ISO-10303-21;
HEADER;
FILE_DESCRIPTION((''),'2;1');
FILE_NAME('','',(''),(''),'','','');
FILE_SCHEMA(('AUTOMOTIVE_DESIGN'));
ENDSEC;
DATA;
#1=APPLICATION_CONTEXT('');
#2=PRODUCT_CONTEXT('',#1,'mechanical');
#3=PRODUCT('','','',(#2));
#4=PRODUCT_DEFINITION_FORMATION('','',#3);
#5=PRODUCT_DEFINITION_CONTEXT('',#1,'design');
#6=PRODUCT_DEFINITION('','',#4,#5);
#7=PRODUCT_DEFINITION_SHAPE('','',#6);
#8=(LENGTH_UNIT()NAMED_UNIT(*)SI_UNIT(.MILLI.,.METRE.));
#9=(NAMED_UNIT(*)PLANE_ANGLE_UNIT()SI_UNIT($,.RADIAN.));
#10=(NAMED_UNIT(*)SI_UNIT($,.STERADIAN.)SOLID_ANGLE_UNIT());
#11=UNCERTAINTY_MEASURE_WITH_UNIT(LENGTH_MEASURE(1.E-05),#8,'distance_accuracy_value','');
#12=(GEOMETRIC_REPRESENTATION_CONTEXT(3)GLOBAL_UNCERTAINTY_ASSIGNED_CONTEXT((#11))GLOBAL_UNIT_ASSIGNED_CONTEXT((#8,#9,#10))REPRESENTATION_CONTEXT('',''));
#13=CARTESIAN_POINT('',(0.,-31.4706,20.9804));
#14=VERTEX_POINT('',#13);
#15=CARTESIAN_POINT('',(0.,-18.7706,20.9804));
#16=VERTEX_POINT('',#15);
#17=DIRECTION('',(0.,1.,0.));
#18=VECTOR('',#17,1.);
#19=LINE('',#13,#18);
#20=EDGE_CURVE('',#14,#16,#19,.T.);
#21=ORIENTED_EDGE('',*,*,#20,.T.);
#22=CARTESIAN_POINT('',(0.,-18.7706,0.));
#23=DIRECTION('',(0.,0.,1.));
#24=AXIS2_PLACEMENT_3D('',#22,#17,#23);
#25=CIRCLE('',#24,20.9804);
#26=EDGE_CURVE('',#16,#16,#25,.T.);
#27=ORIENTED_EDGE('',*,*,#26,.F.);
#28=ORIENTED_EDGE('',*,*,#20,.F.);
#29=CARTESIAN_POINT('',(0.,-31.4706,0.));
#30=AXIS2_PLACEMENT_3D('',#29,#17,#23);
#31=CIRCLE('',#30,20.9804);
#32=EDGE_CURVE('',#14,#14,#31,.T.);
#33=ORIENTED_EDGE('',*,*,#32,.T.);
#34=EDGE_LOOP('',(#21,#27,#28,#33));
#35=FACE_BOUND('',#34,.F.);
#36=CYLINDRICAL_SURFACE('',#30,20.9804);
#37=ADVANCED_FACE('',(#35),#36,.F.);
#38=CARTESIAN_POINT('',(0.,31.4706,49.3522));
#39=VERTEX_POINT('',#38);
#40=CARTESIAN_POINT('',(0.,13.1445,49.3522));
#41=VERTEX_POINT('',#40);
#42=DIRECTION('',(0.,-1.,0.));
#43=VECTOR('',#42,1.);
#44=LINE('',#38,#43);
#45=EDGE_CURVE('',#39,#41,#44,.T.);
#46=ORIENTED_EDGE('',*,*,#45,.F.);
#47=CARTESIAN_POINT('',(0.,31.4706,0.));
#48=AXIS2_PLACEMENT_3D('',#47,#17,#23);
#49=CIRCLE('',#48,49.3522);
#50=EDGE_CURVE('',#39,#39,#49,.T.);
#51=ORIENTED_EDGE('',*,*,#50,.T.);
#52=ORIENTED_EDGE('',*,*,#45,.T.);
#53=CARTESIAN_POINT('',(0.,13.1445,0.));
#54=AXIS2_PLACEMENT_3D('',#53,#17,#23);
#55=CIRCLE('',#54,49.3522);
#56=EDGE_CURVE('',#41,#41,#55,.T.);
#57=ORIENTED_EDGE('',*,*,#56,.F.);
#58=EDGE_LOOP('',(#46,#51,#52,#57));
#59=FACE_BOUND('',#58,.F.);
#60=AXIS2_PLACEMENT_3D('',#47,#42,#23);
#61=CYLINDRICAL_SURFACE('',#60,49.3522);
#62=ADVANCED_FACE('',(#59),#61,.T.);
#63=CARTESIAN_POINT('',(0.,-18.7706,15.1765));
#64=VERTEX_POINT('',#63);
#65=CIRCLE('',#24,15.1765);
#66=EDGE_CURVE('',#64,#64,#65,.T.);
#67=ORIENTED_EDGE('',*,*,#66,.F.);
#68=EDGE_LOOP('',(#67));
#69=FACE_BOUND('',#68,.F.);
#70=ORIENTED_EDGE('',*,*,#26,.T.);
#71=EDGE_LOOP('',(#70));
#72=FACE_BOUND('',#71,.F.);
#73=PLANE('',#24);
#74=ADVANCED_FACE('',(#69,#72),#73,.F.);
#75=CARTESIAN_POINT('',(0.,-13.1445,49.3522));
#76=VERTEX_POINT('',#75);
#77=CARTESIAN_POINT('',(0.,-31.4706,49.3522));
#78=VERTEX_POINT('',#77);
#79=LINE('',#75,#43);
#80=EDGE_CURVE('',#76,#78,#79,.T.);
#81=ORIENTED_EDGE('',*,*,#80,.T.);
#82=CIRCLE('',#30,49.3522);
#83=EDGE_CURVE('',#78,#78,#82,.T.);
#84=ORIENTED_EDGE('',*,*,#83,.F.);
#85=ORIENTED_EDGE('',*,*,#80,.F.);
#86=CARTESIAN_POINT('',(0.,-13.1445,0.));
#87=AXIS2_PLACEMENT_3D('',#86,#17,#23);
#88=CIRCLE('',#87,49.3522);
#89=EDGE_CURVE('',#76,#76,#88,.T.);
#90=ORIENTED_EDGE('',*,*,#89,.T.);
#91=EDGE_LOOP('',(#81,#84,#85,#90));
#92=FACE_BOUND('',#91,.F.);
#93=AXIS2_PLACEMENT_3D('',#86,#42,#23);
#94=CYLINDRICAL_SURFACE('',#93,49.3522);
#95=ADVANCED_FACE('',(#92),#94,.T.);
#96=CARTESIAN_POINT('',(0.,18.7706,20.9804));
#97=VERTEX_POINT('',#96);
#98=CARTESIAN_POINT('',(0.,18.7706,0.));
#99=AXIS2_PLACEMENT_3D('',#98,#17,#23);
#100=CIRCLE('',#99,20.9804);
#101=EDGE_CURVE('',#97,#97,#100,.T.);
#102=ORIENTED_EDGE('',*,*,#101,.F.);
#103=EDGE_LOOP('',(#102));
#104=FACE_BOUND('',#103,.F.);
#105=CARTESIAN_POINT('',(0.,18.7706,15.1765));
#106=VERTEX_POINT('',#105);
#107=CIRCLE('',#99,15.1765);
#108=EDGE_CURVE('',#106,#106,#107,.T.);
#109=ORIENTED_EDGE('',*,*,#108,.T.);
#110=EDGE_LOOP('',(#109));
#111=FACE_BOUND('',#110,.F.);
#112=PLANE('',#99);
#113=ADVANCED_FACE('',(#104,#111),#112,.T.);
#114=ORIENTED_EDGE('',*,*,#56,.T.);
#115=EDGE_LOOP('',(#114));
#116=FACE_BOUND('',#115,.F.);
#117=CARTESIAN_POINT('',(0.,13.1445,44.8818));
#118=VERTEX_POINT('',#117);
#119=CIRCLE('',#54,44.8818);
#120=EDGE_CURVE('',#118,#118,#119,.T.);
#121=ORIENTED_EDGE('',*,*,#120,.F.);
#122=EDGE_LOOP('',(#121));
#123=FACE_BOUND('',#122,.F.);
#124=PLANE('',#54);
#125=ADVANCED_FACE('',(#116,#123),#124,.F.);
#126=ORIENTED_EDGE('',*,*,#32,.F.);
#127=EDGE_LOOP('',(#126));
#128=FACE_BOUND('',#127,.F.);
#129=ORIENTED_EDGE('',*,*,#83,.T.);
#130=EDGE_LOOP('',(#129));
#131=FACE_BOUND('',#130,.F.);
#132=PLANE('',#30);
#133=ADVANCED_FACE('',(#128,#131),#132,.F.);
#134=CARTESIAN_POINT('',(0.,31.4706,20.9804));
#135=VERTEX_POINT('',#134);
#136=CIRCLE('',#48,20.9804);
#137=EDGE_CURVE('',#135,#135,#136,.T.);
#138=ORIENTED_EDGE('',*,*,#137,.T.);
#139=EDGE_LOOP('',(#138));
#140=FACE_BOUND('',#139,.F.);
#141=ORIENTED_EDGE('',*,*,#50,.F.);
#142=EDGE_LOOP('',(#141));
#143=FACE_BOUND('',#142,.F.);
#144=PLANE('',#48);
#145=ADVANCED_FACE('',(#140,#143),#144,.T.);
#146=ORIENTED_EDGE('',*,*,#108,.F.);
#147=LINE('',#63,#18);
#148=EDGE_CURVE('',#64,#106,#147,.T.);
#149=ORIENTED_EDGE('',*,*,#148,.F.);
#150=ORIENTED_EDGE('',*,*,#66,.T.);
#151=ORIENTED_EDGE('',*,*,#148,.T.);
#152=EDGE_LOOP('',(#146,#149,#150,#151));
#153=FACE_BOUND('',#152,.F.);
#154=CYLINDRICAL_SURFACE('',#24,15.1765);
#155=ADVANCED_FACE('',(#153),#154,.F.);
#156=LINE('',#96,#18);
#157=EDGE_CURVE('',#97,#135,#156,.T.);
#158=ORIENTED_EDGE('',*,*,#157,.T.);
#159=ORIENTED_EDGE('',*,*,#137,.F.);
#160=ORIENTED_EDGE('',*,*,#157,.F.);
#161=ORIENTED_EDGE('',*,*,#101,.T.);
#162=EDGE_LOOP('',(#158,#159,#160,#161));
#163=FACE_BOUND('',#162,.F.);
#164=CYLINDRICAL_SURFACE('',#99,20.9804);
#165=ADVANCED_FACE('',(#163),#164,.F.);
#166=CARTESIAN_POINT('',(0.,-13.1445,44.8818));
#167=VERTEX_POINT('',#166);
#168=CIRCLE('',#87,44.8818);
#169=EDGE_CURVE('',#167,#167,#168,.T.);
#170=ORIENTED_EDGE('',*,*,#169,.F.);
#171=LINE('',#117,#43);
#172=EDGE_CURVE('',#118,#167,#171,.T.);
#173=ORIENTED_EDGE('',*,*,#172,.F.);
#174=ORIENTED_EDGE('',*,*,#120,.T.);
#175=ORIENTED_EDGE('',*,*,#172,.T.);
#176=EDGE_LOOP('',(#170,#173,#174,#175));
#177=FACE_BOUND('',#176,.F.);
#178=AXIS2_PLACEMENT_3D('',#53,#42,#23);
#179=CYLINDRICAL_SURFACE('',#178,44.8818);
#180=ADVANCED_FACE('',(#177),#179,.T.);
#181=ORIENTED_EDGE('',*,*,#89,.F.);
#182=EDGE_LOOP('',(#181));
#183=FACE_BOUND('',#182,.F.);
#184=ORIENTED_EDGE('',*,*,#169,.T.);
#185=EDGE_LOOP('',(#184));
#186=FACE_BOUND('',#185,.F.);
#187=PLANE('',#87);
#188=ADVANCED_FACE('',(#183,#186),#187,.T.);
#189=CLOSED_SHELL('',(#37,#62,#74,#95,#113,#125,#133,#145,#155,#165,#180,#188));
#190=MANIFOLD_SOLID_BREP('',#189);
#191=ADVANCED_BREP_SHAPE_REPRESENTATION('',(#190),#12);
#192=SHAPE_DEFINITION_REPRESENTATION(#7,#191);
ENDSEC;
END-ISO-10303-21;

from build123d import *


with BuildPart() as f1:
    # F0 (on Right) → F1 (revolve)
    with BuildSketch(Plane.YZ):
        Polygon((-18.7706, 15.1765), (0, 15.1765), (18.7706, 15.1765), (18.7706, 20.9804), (31.4706, 20.9804), (31.4706, 49.3522), (13.1445, 49.3522), (13.1445, 44.8818), (-13.1445, 44.8818), (-13.1445, 49.3522), (-31.4706, 49.3522), (-31.4706, 20.9804), (-18.7706, 20.9804), align=None)
    revolve(axis=Axis((0, -0.984378, 0), (0, 1, 0)))


solid = f1.part
